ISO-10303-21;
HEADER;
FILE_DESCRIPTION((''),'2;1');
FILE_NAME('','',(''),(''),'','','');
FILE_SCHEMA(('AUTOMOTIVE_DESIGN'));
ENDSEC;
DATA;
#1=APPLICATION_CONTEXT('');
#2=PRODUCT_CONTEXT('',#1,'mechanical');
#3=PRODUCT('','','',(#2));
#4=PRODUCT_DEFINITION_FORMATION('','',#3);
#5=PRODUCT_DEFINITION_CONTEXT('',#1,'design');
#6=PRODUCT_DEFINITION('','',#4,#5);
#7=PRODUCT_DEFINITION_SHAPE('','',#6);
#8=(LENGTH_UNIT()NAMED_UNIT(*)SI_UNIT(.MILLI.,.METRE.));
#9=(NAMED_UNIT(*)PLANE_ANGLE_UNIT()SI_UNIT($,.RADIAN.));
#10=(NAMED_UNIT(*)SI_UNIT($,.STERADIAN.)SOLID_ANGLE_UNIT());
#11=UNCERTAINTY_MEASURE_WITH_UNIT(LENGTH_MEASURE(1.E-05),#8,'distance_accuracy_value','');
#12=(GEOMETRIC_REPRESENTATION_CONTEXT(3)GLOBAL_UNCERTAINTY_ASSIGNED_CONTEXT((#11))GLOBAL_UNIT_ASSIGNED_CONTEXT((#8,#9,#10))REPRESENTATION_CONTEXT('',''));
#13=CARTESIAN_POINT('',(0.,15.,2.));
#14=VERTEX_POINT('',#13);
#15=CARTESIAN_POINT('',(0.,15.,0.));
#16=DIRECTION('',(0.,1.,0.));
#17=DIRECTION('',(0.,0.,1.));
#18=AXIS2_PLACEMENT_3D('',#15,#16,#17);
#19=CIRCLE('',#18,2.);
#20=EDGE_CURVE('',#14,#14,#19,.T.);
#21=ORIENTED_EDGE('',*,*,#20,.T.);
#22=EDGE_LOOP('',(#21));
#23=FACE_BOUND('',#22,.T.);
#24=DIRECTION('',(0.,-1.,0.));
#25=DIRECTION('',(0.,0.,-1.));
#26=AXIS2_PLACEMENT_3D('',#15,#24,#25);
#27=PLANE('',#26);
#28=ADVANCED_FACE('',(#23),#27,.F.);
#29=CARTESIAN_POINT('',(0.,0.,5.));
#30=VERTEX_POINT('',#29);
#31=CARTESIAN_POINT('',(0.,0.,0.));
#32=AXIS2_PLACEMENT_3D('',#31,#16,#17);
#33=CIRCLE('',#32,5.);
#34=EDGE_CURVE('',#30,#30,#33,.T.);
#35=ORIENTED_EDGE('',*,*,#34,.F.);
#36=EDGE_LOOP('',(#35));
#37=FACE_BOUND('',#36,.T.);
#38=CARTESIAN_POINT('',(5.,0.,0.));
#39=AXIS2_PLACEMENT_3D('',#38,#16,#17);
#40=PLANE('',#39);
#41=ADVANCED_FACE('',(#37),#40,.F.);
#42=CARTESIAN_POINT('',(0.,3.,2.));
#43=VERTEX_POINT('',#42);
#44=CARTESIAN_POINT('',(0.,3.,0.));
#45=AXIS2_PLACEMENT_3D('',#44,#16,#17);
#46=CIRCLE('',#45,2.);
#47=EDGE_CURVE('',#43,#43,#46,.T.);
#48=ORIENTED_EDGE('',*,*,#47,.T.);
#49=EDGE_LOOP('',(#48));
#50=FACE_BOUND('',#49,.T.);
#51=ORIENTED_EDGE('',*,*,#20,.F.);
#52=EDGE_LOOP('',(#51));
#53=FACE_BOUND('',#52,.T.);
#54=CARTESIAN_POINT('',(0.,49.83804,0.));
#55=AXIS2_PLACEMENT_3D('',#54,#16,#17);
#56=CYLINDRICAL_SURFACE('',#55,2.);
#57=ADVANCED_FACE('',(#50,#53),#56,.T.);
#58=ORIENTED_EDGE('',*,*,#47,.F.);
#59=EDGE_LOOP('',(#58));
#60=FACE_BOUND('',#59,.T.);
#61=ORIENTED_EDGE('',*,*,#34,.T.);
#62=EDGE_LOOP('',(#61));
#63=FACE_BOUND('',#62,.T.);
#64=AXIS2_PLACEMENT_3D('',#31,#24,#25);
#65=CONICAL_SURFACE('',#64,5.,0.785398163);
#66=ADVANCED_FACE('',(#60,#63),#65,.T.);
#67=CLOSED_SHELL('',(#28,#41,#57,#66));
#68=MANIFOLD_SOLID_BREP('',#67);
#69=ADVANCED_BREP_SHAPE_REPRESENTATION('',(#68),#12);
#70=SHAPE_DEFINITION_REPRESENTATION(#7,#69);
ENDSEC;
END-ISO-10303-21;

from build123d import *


with BuildPart() as part:
    # Эскиз1 → Повернуть1 (revolve)
    with BuildSketch(Plane.XY):
        Polygon((0, 15), (2, 15), (2, 3), (5, 0), (0, 0), align=None)
    revolve(axis=Axis((0, 49.838039672, 0), (0, -1, 0)))


solid = part.part
